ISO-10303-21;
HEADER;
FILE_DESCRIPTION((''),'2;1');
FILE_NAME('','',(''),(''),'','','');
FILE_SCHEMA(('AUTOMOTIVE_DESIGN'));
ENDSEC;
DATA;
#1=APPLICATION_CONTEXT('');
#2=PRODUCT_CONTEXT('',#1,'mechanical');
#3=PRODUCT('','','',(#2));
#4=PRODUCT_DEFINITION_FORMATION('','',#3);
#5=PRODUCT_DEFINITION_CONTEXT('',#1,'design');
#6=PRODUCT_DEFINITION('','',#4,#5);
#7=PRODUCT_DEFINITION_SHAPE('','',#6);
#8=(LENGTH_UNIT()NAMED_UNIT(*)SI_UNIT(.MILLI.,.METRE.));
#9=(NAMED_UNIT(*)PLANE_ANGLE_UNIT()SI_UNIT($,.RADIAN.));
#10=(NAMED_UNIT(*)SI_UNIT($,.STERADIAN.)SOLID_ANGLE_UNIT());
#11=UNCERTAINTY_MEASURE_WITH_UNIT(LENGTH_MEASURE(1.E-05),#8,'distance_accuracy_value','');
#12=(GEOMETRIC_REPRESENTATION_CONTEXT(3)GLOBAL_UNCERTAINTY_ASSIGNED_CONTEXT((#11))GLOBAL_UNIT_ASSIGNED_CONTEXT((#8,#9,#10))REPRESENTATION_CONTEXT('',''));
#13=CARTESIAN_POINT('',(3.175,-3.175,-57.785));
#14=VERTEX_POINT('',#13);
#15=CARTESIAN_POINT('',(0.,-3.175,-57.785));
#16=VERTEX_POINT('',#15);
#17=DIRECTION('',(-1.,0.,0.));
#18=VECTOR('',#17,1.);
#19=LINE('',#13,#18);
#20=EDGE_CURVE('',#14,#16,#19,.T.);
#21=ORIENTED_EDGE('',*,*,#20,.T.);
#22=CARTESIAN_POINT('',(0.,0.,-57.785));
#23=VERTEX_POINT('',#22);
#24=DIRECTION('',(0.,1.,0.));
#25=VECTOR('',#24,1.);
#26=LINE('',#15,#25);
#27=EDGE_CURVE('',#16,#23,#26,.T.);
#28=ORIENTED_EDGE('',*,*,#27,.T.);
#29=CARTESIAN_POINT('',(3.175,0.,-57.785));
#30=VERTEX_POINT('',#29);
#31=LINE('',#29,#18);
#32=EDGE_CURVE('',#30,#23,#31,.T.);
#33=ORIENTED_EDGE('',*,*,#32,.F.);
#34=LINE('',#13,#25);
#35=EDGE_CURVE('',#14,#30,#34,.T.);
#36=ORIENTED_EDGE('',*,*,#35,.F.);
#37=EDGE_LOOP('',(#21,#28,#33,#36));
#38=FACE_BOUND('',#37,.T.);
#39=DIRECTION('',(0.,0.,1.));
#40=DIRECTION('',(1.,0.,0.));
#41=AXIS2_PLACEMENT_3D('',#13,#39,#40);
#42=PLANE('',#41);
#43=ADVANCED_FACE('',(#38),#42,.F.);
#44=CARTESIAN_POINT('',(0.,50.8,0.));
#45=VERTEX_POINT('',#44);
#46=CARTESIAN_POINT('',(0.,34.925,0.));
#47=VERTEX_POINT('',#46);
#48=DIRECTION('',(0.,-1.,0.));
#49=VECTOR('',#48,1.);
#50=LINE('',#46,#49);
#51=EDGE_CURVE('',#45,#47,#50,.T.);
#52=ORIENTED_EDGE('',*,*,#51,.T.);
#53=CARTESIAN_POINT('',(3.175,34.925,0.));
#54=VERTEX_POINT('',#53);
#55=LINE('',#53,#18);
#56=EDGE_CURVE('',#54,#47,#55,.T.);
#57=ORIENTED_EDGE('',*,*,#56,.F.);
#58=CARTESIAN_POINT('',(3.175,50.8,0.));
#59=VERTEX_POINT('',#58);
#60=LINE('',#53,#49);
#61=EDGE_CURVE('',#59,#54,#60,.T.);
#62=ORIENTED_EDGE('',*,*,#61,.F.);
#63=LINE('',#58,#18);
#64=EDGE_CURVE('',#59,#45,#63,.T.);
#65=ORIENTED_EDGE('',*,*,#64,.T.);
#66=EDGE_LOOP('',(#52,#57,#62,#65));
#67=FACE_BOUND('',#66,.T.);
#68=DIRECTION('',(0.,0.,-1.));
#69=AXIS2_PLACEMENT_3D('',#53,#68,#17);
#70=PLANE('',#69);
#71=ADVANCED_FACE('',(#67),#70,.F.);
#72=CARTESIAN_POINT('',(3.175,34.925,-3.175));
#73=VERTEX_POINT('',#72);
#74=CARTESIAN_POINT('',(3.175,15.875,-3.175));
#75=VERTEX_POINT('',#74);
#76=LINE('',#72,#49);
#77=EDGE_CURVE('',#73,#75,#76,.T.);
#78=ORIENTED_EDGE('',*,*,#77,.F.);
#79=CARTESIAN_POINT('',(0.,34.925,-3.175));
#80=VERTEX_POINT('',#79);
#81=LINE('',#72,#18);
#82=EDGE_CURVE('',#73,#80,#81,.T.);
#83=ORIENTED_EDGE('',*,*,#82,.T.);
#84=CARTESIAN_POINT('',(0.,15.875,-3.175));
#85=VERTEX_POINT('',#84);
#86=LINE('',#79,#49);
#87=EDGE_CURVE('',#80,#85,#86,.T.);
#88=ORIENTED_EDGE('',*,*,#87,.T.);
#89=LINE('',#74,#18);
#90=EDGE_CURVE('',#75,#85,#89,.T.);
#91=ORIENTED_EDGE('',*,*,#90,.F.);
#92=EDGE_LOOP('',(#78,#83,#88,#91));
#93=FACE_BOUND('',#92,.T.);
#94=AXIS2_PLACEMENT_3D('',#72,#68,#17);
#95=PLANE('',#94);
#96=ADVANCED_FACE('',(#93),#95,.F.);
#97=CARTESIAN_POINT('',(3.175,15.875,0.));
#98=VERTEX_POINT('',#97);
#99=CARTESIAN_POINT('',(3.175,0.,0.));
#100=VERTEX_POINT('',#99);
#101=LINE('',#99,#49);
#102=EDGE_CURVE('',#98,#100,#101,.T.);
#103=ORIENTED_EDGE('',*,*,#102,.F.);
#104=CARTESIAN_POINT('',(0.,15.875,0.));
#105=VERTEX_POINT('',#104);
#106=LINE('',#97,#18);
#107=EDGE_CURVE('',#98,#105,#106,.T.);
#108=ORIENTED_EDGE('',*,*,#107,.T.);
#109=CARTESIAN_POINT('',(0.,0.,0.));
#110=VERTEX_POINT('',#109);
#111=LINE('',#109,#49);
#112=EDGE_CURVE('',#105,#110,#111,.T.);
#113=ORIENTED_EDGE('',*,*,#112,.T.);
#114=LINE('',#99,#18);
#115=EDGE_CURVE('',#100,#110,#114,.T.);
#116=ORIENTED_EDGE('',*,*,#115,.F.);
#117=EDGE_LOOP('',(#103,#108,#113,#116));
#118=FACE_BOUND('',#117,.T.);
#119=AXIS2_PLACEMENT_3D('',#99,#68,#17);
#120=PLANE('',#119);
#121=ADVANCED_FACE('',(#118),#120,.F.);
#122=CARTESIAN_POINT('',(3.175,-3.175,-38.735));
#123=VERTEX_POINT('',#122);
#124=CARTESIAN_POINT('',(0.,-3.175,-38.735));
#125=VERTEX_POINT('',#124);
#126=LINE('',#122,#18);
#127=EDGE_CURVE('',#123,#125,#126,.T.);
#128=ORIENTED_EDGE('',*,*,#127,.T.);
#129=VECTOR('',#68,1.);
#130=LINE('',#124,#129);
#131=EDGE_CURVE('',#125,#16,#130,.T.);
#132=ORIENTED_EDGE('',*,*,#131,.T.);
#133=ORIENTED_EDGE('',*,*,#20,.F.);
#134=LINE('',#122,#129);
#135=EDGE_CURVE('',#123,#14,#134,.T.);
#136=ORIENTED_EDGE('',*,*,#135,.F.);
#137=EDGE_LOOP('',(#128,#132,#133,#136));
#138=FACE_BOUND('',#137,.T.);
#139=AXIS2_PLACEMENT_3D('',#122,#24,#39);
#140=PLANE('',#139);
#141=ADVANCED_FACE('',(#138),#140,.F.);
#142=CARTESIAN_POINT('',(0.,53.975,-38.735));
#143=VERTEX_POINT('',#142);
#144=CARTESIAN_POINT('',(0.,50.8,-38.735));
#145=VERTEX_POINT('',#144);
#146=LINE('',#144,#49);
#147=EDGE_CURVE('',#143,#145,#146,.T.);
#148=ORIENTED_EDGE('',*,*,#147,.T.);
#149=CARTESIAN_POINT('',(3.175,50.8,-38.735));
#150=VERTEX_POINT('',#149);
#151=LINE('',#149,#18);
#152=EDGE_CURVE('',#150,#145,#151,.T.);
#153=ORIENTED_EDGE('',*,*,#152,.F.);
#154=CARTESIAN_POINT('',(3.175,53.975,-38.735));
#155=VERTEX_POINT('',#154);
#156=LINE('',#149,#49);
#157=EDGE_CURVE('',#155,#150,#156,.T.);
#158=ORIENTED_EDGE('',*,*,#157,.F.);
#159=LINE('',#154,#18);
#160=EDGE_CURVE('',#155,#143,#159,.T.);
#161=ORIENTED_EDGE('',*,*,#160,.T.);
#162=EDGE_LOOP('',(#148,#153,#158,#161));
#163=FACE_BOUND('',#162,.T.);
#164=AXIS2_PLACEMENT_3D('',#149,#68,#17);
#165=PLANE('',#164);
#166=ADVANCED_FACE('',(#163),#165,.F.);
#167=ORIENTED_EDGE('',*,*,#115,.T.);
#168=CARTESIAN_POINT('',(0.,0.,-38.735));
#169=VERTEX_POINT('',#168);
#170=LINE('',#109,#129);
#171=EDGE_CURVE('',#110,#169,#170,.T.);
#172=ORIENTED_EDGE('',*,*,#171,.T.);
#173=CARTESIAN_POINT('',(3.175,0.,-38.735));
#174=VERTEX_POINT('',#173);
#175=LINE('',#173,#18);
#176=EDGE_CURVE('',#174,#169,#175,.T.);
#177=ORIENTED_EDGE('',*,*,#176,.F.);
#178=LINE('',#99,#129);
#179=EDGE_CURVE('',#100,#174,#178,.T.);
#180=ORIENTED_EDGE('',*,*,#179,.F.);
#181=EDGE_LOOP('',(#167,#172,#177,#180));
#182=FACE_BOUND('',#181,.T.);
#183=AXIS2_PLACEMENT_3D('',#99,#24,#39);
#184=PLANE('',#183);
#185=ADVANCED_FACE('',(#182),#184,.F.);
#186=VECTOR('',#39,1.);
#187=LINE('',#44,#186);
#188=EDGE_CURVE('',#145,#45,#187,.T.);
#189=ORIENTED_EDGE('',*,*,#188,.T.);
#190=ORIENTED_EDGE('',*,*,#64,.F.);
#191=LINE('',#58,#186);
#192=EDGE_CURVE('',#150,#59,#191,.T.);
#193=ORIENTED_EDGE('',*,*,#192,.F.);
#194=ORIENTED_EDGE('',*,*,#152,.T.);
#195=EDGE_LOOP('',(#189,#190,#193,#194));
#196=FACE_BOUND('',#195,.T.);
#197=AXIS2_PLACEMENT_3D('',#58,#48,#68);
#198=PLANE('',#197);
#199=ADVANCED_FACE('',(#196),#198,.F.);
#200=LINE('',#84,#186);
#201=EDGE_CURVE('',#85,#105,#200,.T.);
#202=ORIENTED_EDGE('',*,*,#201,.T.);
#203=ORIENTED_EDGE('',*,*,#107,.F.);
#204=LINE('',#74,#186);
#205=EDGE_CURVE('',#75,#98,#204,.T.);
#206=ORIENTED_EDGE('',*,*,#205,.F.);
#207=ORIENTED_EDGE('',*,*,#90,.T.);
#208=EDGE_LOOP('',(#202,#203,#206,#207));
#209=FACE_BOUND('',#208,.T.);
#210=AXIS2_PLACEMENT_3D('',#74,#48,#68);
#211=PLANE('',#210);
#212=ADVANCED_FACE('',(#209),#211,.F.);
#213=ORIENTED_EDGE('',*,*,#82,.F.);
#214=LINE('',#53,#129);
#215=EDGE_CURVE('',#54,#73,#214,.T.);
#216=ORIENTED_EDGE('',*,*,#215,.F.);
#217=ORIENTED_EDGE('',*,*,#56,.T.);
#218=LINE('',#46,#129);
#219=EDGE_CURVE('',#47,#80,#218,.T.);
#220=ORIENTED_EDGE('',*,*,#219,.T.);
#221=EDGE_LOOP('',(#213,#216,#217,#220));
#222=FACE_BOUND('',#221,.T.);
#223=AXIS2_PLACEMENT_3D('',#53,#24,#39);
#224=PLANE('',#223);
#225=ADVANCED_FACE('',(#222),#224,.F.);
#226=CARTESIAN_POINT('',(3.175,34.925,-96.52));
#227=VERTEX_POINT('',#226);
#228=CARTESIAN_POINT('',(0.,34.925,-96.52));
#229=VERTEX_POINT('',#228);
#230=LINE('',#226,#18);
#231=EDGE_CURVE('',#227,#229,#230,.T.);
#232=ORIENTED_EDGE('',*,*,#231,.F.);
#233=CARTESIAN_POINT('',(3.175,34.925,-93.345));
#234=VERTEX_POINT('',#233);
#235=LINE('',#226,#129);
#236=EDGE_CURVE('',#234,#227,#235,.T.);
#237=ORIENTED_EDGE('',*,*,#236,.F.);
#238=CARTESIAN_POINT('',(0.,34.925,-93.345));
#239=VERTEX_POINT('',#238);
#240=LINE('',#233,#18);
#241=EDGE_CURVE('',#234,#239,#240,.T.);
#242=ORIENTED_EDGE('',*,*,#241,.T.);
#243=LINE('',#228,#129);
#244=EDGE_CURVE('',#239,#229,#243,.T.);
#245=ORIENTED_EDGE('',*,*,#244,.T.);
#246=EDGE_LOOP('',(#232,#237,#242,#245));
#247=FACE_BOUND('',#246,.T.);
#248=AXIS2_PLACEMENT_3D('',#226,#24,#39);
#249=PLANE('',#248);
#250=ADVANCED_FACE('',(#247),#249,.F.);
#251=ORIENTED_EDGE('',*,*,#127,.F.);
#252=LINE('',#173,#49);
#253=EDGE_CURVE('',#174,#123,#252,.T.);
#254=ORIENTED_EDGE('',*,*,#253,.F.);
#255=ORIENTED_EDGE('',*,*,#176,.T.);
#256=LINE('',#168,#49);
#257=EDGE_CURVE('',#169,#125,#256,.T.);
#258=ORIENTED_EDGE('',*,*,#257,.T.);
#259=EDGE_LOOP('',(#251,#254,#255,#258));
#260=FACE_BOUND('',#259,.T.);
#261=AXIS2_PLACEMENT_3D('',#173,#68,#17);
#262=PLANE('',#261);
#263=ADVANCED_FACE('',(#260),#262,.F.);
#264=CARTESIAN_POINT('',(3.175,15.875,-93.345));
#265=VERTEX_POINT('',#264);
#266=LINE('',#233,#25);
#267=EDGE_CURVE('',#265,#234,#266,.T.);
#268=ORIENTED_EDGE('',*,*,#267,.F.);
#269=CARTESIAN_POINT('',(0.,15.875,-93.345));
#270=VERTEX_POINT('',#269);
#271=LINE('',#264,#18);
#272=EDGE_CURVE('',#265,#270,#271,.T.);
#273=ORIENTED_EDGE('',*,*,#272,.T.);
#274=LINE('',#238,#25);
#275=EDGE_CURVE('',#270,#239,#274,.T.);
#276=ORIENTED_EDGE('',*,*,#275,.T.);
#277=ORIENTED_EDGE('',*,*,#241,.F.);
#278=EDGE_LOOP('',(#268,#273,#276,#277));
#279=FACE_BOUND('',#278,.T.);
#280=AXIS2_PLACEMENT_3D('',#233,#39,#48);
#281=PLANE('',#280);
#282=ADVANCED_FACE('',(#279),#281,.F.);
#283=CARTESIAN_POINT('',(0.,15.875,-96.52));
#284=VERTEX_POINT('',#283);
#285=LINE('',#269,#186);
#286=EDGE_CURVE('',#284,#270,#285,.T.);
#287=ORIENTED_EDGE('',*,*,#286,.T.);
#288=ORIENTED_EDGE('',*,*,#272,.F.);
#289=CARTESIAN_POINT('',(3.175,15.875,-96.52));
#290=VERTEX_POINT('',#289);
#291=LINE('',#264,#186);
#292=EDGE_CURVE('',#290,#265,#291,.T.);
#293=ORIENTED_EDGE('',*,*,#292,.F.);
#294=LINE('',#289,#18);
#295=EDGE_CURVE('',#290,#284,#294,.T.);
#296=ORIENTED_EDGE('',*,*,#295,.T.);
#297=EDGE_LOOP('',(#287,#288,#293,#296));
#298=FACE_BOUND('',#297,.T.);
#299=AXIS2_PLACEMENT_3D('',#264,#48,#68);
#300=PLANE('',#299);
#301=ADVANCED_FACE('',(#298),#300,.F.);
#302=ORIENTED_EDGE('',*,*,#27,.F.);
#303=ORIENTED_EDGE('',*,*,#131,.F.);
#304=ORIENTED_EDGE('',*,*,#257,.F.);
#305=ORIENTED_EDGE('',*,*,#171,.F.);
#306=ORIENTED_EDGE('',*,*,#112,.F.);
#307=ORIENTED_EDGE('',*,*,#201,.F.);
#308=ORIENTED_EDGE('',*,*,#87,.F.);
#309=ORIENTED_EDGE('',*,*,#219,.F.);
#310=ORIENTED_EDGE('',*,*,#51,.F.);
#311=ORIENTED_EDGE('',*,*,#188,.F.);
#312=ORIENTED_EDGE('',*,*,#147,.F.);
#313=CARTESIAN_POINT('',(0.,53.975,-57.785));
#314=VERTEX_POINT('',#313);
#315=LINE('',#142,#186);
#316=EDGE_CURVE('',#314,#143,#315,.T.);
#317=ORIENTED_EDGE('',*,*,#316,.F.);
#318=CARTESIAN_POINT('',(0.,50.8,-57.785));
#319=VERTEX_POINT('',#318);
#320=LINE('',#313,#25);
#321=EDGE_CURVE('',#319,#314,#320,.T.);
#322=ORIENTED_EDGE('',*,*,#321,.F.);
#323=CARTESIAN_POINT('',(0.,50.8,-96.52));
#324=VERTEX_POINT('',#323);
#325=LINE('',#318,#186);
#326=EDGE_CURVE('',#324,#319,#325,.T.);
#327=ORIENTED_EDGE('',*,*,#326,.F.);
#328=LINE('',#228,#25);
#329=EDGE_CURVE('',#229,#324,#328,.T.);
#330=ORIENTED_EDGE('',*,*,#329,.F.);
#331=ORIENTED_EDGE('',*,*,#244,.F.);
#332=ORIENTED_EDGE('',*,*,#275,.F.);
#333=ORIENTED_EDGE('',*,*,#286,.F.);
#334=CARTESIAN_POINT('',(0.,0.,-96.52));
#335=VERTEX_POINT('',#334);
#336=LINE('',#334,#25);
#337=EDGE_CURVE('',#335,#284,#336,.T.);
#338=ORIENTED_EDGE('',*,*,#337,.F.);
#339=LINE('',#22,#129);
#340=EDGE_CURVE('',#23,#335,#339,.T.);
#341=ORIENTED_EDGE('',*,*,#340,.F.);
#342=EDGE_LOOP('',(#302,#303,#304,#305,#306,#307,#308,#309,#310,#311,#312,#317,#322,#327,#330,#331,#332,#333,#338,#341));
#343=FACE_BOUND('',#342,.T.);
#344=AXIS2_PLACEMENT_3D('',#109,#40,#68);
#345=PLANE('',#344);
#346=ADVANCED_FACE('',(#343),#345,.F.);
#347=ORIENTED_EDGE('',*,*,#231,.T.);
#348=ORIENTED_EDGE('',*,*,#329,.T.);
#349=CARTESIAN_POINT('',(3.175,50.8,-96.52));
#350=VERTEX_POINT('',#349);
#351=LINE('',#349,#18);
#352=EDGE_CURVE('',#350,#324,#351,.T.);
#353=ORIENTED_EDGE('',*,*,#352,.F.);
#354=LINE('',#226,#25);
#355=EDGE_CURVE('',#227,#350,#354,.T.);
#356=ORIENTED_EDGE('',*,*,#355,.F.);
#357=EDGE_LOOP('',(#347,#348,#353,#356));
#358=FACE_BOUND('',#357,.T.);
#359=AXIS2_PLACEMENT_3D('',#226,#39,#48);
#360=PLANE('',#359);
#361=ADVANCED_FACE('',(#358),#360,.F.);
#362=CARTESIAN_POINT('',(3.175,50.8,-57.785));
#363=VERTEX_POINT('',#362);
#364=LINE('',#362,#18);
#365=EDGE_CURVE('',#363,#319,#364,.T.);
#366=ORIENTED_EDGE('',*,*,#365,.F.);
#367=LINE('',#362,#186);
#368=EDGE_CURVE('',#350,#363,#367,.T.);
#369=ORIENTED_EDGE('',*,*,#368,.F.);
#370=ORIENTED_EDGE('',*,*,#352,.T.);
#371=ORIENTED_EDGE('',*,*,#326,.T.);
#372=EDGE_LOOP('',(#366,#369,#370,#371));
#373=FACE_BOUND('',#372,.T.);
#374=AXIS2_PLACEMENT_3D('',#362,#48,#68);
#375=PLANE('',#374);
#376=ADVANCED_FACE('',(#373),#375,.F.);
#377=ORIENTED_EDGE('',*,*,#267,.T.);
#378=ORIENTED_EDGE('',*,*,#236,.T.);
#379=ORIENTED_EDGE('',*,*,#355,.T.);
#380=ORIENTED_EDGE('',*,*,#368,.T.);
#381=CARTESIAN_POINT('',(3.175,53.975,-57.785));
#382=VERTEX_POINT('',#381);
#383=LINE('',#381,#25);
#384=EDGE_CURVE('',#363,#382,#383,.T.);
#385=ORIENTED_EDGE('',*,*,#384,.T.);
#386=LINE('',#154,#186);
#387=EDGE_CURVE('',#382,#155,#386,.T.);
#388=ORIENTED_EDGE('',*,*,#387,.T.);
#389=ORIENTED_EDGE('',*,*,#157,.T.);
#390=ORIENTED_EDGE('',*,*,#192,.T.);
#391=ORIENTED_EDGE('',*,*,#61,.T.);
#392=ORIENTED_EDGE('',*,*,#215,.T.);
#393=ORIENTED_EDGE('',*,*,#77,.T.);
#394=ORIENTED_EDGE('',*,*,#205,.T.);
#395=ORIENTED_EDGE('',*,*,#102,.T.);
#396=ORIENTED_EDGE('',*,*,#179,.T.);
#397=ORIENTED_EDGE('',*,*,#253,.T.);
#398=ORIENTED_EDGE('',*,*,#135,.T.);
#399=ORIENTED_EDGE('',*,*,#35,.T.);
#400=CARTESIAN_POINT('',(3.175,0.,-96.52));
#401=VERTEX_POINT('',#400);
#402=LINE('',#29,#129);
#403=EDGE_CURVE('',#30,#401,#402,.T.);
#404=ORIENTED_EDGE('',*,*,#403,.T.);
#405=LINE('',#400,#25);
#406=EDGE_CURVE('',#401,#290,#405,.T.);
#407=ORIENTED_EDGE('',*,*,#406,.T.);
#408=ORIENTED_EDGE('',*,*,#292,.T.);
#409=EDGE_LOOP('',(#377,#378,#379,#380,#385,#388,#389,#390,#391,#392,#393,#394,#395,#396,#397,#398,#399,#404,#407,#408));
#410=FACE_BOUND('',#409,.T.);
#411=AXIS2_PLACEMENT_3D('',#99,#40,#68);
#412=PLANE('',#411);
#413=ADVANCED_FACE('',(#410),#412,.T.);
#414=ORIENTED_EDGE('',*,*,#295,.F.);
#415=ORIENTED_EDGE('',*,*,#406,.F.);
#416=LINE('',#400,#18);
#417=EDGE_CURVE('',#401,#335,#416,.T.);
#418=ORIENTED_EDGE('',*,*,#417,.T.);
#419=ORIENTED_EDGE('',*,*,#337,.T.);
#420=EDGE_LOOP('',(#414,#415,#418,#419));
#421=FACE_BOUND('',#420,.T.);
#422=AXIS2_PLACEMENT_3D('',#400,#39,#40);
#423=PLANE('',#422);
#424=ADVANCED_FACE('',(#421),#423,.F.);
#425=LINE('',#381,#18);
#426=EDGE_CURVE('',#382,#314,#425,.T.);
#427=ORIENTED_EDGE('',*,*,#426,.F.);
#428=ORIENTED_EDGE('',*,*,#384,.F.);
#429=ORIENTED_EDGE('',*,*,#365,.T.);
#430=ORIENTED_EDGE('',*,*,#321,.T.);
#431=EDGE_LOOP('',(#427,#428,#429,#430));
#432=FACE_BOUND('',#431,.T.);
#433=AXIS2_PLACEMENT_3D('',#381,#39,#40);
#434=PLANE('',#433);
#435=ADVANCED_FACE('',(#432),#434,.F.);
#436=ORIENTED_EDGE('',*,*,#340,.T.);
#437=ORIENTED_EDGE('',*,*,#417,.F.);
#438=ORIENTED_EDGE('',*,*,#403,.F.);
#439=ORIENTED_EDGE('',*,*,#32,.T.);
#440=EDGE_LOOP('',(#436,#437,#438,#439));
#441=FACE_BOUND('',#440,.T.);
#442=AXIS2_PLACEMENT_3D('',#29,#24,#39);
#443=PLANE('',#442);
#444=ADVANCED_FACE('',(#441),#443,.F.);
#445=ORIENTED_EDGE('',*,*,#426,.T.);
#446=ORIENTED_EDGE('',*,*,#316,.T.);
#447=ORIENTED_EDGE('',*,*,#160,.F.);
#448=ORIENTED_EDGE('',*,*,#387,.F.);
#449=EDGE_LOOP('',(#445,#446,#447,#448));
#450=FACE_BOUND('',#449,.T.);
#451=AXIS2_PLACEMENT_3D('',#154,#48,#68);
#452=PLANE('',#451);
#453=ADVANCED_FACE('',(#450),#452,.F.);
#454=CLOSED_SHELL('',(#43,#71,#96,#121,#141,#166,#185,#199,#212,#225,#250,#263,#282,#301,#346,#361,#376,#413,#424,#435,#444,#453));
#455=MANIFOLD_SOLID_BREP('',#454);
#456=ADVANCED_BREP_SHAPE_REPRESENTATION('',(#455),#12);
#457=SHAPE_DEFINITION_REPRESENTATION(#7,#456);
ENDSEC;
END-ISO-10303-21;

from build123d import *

# Parameters (mm, degrees)
BOSS_EXTRUDE1_DEPTH = 3.175


with BuildPart() as part:
    # Sketch1 → Boss-Extrude1 (new body)
    with BuildSketch(Plane(origin=(0, 0, 0), x_dir=(0, 0, -1), z_dir=(1, 0, 0))):
        Polygon((0, 0), (38.735, 0), (38.735, -3.175), (57.785, -3.175), (57.785, 0), (96.52, 0), (96.52, 15.875), (93.345, 15.875), (93.345, 34.925), (96.52, 34.925), (96.52, 50.8), (57.785, 50.8), (57.785, 53.975), (38.735, 53.975), (38.735, 50.8), (0, 50.8), (0, 34.925), (3.175, 34.925), (3.175, 15.875), (0, 15.875), align=None)
    extrude(amount=BOSS_EXTRUDE1_DEPTH)


solid = part.part
